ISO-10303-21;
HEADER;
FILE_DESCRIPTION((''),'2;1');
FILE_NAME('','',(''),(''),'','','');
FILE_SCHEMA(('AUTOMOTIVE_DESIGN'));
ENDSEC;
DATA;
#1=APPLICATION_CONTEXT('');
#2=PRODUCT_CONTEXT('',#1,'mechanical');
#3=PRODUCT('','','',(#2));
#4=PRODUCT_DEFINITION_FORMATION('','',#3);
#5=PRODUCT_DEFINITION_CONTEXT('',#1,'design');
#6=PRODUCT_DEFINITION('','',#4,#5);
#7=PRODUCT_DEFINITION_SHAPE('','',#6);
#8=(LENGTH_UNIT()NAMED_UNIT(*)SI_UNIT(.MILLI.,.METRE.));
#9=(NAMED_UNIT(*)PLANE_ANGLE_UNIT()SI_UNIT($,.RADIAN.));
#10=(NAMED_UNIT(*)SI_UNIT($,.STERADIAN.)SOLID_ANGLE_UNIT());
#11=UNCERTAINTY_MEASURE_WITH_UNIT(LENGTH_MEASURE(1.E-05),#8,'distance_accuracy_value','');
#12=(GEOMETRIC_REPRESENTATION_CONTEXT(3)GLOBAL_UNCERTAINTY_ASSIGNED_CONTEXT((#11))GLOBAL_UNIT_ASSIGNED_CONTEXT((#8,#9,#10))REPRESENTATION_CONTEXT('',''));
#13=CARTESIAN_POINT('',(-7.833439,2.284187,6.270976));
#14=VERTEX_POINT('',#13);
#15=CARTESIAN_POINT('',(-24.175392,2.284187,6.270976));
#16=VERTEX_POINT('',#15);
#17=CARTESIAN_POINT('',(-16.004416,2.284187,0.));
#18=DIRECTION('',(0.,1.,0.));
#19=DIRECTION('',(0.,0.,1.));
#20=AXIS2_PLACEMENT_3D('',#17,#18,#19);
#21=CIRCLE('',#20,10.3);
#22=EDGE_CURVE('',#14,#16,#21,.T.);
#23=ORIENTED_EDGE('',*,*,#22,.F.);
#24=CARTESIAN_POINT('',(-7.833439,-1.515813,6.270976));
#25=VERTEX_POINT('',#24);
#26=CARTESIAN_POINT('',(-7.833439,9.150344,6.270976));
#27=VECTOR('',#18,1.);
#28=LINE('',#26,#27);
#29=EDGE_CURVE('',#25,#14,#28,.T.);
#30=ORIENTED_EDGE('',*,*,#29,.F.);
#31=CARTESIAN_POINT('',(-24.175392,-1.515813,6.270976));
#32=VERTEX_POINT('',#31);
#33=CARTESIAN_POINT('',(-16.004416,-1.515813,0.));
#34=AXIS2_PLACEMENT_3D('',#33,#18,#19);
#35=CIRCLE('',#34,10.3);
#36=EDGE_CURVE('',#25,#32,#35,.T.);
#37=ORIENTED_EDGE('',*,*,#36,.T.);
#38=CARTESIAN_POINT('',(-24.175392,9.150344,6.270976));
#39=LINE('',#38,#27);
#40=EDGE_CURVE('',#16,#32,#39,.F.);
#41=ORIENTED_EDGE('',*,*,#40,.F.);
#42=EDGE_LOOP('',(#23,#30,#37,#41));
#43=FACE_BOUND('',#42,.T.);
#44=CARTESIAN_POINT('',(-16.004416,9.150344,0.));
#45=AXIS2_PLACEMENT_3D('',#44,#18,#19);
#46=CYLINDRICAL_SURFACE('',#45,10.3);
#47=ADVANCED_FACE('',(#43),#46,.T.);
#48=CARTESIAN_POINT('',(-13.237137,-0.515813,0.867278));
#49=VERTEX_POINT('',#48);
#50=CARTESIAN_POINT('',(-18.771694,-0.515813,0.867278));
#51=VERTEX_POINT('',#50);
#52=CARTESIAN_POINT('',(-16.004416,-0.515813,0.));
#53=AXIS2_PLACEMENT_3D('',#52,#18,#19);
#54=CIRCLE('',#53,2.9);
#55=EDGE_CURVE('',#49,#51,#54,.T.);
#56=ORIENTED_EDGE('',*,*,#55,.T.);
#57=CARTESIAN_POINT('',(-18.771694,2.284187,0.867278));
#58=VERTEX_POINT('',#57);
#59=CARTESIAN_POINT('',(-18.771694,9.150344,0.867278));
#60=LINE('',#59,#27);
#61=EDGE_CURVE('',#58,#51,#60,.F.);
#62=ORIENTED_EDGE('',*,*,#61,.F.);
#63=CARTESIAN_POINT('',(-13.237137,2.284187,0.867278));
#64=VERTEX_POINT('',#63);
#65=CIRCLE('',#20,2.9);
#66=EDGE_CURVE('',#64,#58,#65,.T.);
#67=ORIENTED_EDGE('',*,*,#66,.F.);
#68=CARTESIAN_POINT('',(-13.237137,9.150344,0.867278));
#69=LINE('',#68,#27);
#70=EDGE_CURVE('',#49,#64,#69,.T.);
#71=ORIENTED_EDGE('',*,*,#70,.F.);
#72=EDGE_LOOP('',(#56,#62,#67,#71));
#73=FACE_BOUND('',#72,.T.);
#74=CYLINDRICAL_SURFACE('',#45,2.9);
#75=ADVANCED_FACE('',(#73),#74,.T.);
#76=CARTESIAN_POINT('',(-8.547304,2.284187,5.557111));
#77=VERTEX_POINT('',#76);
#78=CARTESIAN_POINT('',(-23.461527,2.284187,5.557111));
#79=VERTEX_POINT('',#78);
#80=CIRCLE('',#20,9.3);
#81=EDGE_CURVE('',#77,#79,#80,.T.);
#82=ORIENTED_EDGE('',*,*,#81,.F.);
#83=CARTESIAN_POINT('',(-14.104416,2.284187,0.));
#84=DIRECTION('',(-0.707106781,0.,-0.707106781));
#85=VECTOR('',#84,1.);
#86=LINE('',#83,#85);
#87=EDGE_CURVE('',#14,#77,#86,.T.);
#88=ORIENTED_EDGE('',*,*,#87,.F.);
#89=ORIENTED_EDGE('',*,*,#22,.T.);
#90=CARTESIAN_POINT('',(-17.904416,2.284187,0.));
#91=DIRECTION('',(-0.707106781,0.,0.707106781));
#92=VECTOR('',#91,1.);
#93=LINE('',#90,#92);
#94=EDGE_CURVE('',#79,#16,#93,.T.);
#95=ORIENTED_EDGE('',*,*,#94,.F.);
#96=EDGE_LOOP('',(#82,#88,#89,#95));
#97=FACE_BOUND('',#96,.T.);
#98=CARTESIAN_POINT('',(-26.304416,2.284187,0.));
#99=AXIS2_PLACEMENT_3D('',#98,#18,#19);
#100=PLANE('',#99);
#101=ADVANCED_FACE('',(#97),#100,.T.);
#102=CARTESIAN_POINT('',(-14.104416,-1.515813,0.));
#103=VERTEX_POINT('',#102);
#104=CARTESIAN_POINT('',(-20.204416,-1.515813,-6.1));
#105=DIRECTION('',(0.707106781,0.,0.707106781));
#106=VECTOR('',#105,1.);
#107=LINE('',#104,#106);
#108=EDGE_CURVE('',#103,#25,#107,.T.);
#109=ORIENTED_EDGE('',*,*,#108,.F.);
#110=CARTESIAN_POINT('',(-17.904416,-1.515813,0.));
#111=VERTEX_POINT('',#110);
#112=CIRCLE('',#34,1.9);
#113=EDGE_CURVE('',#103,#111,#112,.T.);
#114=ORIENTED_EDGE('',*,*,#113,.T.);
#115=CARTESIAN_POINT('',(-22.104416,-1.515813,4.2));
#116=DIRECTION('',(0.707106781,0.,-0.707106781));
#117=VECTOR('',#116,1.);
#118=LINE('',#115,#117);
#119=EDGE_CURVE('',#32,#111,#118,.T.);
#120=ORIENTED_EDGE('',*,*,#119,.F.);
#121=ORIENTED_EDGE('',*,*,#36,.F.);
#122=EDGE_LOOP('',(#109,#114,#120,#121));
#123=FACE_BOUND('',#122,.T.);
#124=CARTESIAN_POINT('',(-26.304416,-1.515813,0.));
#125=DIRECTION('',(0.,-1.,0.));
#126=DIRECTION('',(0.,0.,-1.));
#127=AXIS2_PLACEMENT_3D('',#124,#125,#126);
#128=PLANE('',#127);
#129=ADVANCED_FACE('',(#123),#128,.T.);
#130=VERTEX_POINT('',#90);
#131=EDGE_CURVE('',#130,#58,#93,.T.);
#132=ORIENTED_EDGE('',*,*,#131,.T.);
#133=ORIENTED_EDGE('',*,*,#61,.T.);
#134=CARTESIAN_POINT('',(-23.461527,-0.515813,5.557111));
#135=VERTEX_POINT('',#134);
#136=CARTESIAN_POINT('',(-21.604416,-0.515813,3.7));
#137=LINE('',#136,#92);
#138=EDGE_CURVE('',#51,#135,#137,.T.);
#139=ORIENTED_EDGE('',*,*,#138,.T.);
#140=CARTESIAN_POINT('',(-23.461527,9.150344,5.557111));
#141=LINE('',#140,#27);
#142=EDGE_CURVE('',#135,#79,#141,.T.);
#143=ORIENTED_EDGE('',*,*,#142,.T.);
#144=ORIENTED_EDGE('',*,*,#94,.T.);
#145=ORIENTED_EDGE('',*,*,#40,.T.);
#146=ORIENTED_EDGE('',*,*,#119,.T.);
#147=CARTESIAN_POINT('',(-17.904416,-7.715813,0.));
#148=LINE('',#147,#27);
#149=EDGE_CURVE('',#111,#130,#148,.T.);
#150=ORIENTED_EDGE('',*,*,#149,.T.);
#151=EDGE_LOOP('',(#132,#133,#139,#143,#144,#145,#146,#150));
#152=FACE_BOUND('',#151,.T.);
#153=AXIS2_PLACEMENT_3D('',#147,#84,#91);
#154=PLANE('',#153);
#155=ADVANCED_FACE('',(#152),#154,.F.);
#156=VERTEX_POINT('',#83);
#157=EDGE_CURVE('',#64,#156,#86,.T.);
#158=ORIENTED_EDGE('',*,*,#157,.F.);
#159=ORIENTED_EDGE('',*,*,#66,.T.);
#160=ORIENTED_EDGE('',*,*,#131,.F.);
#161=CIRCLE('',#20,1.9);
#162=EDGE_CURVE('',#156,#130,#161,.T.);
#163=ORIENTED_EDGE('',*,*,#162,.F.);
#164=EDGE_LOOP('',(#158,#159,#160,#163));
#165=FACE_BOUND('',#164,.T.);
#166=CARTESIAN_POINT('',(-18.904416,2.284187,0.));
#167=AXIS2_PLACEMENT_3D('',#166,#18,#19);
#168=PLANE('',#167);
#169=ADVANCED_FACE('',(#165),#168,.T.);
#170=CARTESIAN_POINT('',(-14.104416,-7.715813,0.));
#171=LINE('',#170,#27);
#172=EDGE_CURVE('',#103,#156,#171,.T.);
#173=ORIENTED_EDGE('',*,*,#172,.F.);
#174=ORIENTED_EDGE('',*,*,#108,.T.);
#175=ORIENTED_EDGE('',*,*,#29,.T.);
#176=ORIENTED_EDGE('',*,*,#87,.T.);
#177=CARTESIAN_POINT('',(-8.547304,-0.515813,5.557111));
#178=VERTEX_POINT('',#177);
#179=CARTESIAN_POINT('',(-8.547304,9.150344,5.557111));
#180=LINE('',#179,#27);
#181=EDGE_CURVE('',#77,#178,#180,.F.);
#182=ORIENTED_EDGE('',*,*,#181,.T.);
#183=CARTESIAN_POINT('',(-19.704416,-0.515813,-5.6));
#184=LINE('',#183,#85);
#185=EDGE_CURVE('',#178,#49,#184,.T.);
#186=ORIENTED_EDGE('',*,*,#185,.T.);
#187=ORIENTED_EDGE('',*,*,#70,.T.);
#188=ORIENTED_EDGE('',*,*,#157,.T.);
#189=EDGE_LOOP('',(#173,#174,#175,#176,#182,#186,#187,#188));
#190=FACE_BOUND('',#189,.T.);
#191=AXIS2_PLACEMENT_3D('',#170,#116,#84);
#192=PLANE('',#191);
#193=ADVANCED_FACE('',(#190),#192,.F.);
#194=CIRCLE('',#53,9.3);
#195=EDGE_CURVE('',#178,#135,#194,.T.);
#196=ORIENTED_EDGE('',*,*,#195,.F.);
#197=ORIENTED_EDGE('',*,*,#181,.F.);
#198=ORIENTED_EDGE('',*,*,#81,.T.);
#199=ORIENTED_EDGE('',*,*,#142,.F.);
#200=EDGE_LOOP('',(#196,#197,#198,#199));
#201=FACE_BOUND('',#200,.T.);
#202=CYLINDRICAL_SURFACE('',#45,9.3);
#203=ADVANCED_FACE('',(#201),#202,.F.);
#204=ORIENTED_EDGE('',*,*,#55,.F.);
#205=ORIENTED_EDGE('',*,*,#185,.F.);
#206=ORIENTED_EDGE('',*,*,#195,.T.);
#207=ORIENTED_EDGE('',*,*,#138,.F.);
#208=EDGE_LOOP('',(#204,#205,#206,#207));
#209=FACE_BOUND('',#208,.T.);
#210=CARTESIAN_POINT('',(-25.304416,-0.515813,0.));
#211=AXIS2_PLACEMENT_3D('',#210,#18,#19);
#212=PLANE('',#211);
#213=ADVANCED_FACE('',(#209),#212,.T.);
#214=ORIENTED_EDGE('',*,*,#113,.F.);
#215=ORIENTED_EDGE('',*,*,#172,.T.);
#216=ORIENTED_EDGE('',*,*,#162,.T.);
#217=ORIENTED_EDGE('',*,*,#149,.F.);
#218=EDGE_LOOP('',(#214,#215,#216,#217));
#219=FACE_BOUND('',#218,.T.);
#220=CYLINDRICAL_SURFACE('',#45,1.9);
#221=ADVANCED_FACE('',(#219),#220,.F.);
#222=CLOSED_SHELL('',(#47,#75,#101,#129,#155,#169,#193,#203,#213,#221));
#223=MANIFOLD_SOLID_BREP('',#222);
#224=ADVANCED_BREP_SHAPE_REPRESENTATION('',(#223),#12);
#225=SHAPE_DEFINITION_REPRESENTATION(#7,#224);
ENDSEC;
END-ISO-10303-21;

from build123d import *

# Parameters (mm, degrees)
CORTAR_EXTRUIR1_DEPTH = 10


with BuildPart() as part:
    # Croquis1 → Revolución1 (revolve)
    with BuildSketch(Plane.XY, mode=Mode.PRIVATE) as revoluci_n1_sk:
        Polygon((-17.904415608, -1.515813334), (-17.904415608, 2.284186666), (-18.904415608, 2.284186666), (-18.904415608, -0.515813334), (-25.304415608, -0.515813334), (-25.304415608, 2.284186666), (-26.304415608, 2.284186666), (-26.304415608, -1.515813334), align=None)
    revolve(revoluci_n1_sk.sketch.rotate(Axis((-16.004415608, 9.150344382, 0), (0, -1, 0)), 270), axis=Axis((-16.004415608, 9.150344382, 0), (0, -1, 0)))

    # Croquis2 → Cortar-Extruir1 (cut)
    with BuildSketch(Plane(origin=(0, 2.284186666, 0), x_dir=(1, 0, 0), z_dir=(0, 1, 0))):
        with BuildLine():
            Line((-17.904415608, 0), (-24.175391996, -6.270976388))
            ThreePointArc((-24.175391996, -6.270976388), (-16.004415608, -10.3), (-7.833439219, -6.270976388))
            Line((-7.833439219, -6.270976388), (-14.104415608, 0))
            ThreePointArc((-14.104415608, 0), (-16.004415608, -1.9), (-17.904415608, 0))
        make_face()
    extrude(amount=-CORTAR_EXTRUIR1_DEPTH, mode=Mode.SUBTRACT)


solid = part.part
